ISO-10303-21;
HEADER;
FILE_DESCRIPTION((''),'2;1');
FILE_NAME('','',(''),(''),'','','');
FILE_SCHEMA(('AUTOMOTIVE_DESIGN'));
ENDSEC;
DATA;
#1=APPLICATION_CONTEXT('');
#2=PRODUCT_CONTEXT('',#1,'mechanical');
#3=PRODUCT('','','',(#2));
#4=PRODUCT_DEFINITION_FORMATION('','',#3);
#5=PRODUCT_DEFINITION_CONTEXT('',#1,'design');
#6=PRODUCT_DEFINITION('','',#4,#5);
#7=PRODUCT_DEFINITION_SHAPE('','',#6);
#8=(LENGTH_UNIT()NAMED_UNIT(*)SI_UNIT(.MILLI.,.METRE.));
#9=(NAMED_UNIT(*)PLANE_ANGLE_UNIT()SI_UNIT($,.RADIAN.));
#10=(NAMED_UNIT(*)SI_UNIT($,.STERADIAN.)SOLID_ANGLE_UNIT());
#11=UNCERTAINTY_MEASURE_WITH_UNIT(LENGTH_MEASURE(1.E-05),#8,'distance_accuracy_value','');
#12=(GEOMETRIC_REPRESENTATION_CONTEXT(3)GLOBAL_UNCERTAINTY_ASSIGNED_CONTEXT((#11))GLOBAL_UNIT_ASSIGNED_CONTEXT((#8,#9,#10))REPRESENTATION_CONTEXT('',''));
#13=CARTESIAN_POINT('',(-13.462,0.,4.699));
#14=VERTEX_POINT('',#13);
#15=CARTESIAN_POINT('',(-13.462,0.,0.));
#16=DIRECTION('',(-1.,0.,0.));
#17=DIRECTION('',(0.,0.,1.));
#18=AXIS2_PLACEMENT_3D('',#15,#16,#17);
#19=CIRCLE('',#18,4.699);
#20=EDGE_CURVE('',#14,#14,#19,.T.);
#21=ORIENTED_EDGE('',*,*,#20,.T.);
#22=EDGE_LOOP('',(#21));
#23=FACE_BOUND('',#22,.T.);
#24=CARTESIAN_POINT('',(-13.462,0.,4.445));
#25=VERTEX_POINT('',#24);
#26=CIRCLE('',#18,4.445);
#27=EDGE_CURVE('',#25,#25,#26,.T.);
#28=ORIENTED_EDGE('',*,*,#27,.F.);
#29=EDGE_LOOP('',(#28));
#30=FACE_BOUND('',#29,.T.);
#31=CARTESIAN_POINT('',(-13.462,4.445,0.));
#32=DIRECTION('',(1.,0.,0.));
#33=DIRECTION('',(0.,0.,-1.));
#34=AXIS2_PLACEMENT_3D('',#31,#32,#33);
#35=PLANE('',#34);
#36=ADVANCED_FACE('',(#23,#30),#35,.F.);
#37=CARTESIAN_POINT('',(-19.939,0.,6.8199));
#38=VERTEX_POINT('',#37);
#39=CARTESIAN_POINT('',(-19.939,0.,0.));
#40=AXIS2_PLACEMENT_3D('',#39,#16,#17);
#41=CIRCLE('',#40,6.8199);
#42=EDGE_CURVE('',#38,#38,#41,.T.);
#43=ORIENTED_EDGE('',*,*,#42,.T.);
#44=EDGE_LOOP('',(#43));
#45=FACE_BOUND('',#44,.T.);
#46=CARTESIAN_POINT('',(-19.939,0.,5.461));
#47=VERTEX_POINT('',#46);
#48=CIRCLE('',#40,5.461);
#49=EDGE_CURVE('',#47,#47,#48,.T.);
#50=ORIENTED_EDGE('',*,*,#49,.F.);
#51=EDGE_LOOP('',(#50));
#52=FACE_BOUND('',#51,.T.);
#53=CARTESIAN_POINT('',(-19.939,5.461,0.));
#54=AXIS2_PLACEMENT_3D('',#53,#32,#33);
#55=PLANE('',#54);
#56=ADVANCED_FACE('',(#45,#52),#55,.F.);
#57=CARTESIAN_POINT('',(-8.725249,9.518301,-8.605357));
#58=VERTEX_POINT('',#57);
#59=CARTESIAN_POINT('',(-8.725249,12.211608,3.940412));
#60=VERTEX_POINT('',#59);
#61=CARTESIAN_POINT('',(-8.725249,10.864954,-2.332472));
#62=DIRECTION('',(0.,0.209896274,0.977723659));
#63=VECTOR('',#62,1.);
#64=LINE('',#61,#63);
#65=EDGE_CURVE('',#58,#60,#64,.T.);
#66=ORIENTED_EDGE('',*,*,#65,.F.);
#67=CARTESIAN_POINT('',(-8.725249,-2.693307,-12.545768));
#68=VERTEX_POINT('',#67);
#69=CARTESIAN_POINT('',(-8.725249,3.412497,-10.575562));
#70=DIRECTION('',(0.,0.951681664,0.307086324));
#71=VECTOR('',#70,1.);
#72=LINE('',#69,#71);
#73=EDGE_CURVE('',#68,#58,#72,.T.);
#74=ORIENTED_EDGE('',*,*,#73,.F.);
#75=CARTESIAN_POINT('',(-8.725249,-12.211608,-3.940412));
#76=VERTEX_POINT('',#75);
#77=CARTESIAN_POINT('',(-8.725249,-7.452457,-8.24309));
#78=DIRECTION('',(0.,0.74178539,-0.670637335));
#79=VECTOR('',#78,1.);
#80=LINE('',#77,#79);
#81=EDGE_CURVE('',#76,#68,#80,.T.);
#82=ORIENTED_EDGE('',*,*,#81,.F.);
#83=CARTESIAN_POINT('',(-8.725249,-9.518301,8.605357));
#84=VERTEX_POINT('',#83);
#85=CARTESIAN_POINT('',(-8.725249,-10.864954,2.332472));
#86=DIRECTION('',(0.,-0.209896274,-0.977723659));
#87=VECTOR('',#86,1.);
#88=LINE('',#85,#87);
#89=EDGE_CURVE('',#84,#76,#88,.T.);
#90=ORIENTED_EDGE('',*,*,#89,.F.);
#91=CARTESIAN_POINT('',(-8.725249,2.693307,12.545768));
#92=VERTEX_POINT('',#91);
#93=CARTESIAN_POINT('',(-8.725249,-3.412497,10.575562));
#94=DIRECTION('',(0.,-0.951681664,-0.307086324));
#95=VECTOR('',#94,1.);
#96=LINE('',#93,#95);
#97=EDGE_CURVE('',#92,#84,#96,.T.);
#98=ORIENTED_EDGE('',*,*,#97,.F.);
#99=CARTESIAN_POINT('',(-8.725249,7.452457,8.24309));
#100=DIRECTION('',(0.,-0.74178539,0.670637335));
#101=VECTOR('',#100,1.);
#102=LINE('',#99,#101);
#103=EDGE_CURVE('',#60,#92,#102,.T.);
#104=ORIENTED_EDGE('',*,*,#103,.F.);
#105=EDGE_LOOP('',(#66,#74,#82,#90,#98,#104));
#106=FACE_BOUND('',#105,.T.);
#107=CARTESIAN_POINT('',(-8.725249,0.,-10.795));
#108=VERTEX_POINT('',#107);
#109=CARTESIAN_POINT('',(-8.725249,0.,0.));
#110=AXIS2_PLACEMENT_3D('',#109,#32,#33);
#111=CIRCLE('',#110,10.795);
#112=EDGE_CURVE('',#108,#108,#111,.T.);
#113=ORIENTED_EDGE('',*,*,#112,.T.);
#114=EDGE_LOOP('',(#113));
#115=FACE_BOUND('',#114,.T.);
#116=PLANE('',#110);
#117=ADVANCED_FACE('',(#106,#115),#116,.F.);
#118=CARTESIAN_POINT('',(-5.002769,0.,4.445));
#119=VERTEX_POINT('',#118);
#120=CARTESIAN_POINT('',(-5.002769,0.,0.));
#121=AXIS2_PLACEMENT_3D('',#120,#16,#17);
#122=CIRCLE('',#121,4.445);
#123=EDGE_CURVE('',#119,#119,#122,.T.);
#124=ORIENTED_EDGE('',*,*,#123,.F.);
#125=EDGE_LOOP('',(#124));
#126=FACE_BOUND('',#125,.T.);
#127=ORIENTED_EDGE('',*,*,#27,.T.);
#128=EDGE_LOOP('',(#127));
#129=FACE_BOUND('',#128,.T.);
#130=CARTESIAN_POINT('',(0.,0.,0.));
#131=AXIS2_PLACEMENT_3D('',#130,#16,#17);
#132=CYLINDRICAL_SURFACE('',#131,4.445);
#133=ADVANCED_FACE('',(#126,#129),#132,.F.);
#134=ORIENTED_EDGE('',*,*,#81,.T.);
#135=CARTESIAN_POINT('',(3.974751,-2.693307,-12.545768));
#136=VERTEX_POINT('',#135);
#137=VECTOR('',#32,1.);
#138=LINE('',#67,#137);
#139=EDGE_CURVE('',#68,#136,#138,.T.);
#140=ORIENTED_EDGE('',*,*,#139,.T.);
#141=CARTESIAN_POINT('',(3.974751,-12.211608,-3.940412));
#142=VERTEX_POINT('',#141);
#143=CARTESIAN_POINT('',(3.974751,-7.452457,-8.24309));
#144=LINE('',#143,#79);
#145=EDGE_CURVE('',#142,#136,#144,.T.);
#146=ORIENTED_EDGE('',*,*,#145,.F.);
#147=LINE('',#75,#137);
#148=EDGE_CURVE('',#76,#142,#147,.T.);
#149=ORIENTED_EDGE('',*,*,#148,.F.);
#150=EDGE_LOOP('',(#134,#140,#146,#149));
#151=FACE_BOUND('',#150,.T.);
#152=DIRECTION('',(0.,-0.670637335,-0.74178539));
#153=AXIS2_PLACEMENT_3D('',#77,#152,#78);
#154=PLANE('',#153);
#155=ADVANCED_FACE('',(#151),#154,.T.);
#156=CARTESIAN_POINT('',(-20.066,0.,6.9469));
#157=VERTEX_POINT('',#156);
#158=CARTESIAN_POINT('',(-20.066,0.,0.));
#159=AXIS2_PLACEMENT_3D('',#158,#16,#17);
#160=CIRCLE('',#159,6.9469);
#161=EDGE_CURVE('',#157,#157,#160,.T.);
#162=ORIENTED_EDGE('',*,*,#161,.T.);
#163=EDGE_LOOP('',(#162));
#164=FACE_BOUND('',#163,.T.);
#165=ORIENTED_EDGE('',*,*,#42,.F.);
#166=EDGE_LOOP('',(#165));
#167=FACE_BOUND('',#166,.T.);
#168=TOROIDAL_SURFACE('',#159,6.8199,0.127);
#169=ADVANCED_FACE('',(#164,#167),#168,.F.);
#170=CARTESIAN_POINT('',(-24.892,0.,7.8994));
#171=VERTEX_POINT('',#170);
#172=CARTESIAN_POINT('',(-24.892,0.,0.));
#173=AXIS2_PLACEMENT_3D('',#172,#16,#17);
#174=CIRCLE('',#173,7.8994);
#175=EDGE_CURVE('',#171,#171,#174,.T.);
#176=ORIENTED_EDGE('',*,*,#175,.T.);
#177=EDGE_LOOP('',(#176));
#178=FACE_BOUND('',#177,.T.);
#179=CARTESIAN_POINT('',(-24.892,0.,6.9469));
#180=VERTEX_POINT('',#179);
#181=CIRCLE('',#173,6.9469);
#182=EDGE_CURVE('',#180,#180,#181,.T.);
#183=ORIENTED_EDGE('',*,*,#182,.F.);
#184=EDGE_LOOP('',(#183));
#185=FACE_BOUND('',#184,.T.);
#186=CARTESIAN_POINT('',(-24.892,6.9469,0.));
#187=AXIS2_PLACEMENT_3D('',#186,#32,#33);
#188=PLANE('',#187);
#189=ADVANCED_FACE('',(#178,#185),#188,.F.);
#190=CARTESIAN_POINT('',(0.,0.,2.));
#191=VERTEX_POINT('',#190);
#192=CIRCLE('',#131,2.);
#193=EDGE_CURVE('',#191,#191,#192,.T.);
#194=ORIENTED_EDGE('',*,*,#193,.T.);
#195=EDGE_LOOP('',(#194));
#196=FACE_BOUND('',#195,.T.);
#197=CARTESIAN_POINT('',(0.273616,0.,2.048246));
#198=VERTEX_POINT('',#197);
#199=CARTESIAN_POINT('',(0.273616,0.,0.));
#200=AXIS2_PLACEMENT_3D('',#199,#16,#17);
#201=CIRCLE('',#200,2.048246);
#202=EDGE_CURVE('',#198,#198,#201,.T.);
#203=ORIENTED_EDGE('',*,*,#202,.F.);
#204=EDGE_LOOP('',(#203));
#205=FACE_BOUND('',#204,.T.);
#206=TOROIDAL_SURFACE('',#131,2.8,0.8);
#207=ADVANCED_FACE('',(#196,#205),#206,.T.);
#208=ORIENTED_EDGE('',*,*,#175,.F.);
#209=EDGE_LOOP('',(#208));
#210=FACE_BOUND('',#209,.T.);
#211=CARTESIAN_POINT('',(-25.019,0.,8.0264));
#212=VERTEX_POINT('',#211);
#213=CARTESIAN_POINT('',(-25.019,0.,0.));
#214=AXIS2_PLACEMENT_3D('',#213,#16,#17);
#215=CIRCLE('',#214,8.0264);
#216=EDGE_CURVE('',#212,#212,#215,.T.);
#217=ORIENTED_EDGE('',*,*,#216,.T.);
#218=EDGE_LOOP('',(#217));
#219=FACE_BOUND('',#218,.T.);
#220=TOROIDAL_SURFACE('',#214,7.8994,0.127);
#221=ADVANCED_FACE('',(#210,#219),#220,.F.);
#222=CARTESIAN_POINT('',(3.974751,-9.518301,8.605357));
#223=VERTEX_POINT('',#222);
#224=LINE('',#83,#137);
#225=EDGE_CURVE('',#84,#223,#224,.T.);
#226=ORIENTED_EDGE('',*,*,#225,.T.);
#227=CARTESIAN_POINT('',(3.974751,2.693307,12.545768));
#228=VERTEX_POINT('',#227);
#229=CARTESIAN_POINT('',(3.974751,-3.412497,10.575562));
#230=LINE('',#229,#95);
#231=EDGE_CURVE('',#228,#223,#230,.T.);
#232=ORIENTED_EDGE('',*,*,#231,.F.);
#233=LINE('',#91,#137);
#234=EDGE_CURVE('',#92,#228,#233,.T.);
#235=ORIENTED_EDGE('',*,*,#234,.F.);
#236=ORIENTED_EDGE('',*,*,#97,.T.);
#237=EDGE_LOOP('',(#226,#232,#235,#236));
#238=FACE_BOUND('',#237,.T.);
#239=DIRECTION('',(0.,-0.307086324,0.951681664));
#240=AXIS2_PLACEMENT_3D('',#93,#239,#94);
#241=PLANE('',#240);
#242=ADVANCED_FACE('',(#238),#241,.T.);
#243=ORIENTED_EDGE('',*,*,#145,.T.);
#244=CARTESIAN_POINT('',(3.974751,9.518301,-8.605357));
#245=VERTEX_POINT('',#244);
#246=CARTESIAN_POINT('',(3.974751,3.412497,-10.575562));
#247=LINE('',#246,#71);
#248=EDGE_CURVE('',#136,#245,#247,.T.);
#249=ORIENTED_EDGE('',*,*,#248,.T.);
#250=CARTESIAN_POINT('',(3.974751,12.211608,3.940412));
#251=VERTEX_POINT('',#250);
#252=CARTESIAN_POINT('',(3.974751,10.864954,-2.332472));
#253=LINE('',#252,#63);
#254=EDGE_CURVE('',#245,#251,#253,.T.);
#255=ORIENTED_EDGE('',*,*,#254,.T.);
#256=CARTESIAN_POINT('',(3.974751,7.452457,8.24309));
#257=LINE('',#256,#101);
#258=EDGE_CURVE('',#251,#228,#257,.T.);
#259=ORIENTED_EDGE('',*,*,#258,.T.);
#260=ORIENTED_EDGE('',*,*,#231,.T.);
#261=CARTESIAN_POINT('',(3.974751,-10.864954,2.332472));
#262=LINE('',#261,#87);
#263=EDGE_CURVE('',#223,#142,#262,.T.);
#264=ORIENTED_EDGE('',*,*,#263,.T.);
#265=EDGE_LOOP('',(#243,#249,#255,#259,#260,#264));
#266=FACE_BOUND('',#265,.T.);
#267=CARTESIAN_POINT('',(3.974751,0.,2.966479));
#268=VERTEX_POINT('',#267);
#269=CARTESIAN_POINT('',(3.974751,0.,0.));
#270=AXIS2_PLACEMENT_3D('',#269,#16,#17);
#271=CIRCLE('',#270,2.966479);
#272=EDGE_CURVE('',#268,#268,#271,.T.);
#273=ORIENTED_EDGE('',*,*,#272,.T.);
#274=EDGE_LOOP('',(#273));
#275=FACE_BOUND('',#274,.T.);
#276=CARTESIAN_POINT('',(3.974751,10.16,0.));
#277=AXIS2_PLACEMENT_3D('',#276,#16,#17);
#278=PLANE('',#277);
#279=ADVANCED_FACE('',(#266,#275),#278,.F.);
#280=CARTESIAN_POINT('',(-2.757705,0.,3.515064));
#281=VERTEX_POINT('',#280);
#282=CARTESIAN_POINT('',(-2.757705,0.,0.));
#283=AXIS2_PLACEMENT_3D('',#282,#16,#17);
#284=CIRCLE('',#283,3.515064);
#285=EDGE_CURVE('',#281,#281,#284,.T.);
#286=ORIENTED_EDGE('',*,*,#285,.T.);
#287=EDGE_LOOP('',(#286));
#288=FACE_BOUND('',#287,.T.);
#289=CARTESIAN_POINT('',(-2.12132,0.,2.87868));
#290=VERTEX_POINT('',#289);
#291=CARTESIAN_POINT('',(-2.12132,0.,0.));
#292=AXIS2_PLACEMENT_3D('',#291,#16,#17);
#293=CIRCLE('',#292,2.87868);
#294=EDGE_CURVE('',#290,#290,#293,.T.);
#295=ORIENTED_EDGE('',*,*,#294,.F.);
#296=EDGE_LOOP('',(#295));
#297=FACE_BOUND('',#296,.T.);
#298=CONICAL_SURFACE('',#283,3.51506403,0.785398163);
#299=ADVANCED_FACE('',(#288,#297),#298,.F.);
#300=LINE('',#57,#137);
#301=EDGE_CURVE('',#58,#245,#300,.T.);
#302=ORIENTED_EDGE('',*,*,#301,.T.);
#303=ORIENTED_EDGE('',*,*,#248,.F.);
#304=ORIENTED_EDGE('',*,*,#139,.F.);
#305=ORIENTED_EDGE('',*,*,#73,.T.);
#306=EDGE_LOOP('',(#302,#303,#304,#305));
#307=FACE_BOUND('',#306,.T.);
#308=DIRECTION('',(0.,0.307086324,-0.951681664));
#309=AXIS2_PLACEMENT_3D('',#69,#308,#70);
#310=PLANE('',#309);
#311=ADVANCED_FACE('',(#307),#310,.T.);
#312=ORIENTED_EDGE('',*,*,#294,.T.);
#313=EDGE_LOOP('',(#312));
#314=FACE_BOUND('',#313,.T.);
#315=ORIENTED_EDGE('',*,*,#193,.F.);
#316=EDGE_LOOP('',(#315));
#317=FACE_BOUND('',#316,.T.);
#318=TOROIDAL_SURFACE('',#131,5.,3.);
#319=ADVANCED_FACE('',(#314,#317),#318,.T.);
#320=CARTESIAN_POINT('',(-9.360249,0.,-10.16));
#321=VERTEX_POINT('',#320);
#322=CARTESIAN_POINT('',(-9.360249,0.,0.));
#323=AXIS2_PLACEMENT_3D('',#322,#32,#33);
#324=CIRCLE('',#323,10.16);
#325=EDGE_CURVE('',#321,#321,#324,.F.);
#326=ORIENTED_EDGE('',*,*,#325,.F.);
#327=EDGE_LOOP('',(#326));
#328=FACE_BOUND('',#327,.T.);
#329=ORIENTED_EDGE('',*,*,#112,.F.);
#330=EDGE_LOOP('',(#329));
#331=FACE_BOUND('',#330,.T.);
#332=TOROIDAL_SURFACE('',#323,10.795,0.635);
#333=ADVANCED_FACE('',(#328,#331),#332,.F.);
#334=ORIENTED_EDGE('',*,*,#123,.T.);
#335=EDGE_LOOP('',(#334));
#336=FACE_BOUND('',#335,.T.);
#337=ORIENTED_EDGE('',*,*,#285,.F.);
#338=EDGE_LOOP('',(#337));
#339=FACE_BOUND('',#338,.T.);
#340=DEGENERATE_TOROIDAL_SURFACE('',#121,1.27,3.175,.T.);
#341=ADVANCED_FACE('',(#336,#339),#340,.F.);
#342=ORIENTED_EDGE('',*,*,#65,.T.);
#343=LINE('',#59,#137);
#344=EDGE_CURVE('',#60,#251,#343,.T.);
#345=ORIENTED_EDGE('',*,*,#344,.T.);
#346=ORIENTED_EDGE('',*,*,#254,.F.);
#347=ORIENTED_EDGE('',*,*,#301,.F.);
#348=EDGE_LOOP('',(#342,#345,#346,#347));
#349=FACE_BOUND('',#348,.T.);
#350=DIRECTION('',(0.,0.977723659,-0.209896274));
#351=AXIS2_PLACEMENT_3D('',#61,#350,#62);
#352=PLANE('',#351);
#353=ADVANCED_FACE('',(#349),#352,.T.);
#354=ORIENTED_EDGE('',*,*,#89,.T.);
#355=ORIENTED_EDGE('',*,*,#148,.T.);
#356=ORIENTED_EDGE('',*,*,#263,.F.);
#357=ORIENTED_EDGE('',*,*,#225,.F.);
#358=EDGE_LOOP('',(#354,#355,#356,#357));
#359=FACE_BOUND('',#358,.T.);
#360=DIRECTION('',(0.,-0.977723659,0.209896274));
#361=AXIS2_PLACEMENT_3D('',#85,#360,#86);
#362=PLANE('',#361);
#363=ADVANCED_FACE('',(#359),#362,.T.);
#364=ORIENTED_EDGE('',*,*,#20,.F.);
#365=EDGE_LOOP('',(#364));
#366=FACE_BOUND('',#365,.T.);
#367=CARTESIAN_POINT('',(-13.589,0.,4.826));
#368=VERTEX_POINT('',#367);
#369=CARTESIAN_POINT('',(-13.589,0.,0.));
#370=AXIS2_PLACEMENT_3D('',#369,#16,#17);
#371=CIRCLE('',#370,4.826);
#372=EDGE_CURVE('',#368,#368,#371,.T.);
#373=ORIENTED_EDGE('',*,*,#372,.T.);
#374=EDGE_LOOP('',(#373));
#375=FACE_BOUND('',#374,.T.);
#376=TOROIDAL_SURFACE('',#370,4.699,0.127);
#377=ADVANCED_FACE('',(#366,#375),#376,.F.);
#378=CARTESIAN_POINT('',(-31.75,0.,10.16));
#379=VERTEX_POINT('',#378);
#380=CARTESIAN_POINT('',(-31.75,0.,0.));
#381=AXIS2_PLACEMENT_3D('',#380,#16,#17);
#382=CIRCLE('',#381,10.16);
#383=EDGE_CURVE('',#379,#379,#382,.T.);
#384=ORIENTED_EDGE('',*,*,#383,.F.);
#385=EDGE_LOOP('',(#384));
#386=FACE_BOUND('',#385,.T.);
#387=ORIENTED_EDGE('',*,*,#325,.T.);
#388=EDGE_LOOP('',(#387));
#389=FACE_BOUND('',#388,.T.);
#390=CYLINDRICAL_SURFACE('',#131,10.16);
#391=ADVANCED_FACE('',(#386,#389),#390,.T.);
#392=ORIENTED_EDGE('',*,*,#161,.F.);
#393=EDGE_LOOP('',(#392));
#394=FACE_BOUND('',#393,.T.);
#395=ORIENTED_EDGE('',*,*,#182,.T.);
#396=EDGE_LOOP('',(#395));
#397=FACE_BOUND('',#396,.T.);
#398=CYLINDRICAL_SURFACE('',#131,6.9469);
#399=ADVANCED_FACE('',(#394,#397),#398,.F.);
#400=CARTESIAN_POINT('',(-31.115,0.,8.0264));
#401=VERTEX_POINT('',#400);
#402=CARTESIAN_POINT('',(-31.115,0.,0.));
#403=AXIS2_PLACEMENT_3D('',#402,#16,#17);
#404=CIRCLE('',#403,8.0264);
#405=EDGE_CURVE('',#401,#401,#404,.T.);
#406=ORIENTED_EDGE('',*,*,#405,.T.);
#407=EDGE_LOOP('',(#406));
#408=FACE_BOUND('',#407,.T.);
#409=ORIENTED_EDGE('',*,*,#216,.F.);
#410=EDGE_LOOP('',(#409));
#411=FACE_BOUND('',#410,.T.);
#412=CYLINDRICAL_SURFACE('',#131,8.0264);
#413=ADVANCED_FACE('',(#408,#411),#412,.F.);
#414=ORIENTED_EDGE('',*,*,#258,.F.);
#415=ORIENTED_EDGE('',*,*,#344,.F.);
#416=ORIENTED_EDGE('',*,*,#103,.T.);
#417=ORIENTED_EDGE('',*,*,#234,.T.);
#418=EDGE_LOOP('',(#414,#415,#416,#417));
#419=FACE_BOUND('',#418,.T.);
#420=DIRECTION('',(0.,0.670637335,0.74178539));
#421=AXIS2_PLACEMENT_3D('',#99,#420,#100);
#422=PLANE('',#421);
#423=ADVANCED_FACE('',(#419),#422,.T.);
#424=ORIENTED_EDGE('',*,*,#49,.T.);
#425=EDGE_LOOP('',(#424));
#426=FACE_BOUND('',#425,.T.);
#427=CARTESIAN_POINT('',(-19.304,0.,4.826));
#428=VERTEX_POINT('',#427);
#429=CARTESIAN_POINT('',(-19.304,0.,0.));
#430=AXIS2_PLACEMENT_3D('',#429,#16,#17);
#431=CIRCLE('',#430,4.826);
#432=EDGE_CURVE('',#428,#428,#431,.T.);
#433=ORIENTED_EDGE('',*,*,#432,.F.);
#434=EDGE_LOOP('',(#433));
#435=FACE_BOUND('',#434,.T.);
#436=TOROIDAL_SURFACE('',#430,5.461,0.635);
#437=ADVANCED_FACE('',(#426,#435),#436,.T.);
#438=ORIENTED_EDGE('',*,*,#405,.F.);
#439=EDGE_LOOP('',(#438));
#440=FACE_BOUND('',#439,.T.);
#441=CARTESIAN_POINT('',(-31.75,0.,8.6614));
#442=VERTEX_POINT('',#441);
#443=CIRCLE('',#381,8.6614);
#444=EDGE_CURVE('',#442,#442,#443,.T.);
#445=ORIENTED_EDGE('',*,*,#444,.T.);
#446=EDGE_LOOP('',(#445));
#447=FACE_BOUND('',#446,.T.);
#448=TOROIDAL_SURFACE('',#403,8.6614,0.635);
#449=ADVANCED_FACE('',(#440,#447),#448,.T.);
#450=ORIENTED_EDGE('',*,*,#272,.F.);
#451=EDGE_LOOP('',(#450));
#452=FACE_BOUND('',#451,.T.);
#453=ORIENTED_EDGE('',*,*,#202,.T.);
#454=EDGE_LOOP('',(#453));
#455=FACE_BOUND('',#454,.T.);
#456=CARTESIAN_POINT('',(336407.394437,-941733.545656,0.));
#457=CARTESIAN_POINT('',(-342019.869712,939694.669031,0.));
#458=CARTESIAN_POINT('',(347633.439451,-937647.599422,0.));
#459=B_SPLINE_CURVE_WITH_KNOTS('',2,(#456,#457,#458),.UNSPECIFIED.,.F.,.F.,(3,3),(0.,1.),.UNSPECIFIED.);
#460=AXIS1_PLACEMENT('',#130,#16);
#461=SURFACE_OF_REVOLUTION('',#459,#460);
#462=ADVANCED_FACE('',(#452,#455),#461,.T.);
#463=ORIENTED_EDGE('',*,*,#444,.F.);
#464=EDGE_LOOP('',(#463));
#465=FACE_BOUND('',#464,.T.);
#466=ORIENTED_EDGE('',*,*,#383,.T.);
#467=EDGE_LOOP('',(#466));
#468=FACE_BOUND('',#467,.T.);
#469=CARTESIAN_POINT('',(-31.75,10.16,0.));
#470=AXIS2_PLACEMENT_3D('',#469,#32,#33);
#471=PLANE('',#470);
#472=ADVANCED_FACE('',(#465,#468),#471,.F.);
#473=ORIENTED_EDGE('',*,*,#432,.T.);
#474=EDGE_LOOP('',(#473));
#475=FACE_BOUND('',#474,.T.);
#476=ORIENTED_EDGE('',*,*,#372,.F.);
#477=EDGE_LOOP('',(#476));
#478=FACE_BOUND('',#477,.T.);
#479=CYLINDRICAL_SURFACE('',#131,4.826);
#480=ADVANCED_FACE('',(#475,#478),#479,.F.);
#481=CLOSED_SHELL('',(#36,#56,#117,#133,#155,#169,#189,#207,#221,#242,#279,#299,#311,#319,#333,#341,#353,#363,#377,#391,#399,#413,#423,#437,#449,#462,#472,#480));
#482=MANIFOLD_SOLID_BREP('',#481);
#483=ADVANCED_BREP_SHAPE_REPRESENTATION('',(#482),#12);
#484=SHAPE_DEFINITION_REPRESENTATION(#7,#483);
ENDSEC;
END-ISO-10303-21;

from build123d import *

# Parameters (mm, degrees)
SKETCH4_R           = 10.16
BOSS_EXTRUDE1_DEPTH = 12.7
FILLET1_R           = 0.635


with BuildPart() as part:
    # Sketch1 → Revolve1 (revolve)
    with BuildSketch(Plane.XY, mode=Mode.PRIVATE) as revolve1_sk:
        with BuildLine():
            Line((-2.121320344, 2.878679656), (-2.757704717, 3.51506403))
            ThreePointArc((-2.757704717, 3.51506403), (-3.78774885, 4.203317516), (-5.002768748, 4.445))
            Line((-5.002768748, 4.445), (-13.462, 4.445))
            Line((-13.462, 4.445), (-13.462, 4.699))
            ThreePointArc((-13.462, 4.699), (-13.499197439, 4.788802561), (-13.589, 4.826))
            Line((-13.589, 4.826), (-19.304, 4.826))
            ThreePointArc((-19.304, 4.826), (-19.753012806, 5.011987194), (-19.939, 5.461))
            Line((-19.939, 5.461), (-19.939, 6.8199))
            ThreePointArc((-19.939, 6.8199), (-19.976197439, 6.909702561), (-20.066, 6.9469))
            Line((-20.066, 6.9469), (-24.892, 6.9469))
            Line((-24.892, 6.9469), (-24.892, 7.8994))
            ThreePointArc((-24.892, 7.8994), (-24.929197439, 7.989202561), (-25.019, 8.0264))
            Line((-25.019, 8.0264), (-31.115, 8.0264))
            ThreePointArc((-31.115, 8.0264), (-31.564012806, 8.212387194), (-31.75, 8.6614))
            Line((-31.75, 8.6614), (-31.75, 10.16))
            Line((-31.75, 10.16), (-8.725248841, 10.16))
            Line((-8.725248841, 10.16), (3.974751159, 10.16))
            Line((3.974751159, 10.16), (3.974751159, 2.966479395))
            add(Edge.make_bspline(
                [(3.974751159, 2.966479395), (2.055265637, 2.696713297), (0.273616115, 2.048245903)],
                knots=[0, 0, 0, 1, 1, 1], degree=2))
            ThreePointArc((0.273616115, 2.048245903), (0.138918542, 2.012153798), (0, 2))
            ThreePointArc((0, 2), (-1.148050297, 2.228361402), (-2.121320344, 2.878679656))
        make_face()
    revolve(revolve1_sk.sketch.rotate(Axis((0, 0, 0), (1, 0, 0)), 90), axis=Axis((0, 0, 0), (1, 0, 0)))

    # Sketch4 → Boss-Extrude1 (add)
    with BuildSketch(Plane(origin=(3.974751159, 0, 0), x_dir=(0, 0, -1), z_dir=(1, 0, 0))):
        Polygon((3.940411868, -12.211607701), (12.545768424, -2.693307071), (8.605356556, 9.51830063), (-3.940411868, 12.211607701), (-12.545768424, 2.693307071), (-8.605356556, -9.51830063), align=None)
        with Locations(Location((0, 0, 0), (0, 0, 180))):
            Circle(SKETCH4_R, mode=Mode.SUBTRACT)
    extrude(amount=-BOSS_EXTRUDE1_DEPTH)

    # Fillet1
    fillet1_edges = [part.edges().sort_by_distance(p)[0] for p in [
        (-8.725248841, 0, -10.16),
    ]]
    fillet(fillet1_edges, radius=FILLET1_R)


solid = part.part
